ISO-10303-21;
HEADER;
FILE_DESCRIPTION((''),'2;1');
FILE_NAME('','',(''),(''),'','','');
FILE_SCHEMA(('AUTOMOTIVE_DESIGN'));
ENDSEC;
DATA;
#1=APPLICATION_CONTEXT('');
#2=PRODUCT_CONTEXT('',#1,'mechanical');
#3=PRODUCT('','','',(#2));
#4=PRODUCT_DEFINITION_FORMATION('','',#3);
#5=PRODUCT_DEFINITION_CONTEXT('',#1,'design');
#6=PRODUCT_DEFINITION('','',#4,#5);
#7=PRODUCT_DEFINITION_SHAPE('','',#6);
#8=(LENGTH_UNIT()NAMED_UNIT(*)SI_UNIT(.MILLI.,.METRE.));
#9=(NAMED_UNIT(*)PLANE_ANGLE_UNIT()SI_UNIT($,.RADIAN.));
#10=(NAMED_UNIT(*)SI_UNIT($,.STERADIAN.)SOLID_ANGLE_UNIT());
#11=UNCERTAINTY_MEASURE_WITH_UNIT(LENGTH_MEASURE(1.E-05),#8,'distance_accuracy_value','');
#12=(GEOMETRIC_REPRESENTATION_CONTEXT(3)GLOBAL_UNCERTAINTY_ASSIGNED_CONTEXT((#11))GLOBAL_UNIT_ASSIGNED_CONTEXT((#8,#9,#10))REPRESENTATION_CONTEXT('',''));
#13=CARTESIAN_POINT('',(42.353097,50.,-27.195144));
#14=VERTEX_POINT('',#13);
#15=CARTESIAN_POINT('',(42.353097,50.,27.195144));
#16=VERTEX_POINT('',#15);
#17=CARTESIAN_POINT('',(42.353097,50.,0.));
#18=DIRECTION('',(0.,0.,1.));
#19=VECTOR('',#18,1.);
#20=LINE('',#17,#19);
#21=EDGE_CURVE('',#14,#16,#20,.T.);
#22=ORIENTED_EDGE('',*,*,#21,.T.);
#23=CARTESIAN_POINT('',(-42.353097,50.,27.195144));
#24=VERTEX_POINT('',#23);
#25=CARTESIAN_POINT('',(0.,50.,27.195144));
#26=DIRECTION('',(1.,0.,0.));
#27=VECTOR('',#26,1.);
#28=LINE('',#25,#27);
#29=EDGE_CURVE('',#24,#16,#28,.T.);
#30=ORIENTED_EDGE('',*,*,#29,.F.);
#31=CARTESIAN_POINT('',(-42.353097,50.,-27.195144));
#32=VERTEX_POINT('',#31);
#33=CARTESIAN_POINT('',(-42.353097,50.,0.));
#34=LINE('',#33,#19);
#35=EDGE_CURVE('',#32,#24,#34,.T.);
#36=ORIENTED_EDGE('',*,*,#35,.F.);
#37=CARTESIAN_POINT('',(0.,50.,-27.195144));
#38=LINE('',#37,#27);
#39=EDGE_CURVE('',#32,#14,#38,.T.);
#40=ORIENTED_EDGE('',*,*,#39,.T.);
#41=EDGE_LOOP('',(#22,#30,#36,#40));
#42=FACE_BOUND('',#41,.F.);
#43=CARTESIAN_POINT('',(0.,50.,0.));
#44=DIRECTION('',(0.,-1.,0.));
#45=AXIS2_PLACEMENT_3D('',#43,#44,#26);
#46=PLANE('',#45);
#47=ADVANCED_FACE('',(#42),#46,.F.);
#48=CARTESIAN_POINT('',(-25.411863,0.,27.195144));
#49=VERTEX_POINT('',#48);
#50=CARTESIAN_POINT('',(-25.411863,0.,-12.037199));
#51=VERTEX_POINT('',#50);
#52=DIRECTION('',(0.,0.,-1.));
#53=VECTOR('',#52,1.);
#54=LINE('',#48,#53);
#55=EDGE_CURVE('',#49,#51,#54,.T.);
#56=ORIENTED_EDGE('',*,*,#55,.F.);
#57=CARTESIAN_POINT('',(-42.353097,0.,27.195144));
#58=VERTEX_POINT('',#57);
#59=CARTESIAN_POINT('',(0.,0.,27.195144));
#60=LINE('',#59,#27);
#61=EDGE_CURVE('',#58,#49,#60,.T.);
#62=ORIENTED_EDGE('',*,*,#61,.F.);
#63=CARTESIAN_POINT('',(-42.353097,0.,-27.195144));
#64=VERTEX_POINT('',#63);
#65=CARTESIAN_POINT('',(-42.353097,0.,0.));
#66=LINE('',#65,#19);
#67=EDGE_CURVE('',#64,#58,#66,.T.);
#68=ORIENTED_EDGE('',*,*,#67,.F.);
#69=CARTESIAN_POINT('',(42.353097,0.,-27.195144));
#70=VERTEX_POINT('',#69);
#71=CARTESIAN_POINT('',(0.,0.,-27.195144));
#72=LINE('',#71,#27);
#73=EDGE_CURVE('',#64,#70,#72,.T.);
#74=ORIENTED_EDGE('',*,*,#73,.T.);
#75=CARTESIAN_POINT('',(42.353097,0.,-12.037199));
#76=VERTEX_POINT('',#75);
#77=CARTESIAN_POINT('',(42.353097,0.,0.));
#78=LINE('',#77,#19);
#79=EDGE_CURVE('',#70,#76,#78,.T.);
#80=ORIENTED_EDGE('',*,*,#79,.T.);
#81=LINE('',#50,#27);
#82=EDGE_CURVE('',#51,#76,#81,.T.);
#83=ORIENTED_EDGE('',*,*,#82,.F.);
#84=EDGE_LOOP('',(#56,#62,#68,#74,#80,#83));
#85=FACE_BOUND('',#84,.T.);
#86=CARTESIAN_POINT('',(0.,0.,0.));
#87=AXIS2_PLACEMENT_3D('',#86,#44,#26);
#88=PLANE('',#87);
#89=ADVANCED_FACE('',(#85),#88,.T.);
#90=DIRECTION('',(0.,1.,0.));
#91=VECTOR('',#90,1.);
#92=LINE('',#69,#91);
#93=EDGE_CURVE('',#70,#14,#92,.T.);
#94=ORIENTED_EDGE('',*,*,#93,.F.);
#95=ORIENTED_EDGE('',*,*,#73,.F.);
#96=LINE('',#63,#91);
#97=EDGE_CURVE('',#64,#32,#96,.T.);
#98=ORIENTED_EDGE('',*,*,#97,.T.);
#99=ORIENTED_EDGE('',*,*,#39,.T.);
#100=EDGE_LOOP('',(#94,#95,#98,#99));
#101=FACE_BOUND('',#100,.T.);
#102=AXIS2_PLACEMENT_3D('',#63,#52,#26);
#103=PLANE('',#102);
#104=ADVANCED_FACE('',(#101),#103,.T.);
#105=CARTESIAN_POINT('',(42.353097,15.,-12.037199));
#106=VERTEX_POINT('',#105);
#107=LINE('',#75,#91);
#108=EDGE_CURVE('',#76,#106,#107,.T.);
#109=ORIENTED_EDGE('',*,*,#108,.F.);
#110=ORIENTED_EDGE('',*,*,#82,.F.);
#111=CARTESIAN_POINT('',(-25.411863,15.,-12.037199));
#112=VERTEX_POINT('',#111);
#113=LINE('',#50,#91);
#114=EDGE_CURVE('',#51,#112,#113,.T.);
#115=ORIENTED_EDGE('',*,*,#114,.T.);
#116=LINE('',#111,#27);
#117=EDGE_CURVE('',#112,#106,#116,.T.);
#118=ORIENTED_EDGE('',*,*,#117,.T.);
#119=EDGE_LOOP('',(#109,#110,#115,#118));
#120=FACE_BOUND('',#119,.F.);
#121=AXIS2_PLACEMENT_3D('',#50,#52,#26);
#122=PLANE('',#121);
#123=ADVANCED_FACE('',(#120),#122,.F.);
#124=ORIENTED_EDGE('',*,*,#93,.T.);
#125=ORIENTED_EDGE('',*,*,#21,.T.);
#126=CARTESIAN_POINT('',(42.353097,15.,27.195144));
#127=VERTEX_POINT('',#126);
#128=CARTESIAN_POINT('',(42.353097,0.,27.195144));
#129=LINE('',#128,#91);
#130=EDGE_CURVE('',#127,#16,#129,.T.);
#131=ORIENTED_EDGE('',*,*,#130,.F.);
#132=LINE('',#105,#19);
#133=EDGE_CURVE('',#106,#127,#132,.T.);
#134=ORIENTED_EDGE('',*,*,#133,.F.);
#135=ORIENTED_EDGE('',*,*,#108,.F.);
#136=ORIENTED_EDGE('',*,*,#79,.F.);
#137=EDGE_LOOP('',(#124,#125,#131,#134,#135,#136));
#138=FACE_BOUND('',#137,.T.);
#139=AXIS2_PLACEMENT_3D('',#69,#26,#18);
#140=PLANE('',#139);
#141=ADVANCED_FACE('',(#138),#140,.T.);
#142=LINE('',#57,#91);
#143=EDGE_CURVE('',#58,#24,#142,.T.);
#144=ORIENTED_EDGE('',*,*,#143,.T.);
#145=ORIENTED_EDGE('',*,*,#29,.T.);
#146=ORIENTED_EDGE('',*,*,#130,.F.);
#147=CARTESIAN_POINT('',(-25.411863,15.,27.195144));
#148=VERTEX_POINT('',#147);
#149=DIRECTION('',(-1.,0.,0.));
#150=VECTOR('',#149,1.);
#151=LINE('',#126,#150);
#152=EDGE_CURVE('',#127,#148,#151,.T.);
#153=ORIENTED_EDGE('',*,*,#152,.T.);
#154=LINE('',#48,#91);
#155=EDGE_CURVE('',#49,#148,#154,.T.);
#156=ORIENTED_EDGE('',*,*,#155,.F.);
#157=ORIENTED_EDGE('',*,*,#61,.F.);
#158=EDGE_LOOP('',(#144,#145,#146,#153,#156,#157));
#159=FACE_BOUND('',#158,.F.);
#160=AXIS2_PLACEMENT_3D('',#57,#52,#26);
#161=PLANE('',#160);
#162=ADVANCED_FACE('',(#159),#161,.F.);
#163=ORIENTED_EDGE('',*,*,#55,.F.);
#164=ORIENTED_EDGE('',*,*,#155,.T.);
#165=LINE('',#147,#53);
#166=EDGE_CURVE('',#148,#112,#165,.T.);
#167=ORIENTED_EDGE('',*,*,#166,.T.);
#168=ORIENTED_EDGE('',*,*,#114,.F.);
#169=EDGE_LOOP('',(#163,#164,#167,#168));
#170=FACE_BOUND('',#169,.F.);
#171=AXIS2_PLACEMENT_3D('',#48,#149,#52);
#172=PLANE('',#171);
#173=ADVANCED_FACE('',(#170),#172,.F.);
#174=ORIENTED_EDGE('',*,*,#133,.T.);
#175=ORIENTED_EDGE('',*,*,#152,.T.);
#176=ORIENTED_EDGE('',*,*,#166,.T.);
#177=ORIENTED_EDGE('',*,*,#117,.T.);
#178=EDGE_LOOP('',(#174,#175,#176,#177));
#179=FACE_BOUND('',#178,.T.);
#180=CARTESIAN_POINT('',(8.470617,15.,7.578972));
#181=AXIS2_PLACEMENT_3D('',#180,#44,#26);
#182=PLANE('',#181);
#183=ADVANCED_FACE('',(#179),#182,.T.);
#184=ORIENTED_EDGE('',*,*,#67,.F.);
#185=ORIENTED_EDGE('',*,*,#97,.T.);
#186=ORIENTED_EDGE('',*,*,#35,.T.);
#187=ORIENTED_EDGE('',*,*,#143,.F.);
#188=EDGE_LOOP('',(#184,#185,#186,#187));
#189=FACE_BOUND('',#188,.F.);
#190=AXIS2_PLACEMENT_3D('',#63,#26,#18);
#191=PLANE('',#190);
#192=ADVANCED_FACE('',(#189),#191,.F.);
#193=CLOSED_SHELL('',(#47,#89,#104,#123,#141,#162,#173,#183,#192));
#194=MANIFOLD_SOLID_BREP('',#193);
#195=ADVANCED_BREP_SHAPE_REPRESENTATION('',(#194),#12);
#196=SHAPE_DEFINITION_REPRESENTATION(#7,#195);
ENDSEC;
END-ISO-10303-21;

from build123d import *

# Parameters (mm, degrees)
F0_W     = 84.706194
F0_H     = 54.390288
F1_DEPTH = 50
F3_DEPTH = 15


with BuildPart() as f1:
    # F0 (on Front) → F1 (new body)
    with BuildSketch(Plane.XZ):
        Rectangle(F0_W, F0_H)
    extrude(amount=-F1_DEPTH)

    # F2 (on Front) → F3 (cut)
    with BuildSketch(Plane.XZ):
        Polygon((42.353097, 27.195144), (-25.411863, 27.195144), (-25.411863, 9.808084), (-25.411863, -12.037199), (42.353097, -12.037199), align=None)
    extrude(amount=-F3_DEPTH, mode=Mode.SUBTRACT)


solid = f1.part
